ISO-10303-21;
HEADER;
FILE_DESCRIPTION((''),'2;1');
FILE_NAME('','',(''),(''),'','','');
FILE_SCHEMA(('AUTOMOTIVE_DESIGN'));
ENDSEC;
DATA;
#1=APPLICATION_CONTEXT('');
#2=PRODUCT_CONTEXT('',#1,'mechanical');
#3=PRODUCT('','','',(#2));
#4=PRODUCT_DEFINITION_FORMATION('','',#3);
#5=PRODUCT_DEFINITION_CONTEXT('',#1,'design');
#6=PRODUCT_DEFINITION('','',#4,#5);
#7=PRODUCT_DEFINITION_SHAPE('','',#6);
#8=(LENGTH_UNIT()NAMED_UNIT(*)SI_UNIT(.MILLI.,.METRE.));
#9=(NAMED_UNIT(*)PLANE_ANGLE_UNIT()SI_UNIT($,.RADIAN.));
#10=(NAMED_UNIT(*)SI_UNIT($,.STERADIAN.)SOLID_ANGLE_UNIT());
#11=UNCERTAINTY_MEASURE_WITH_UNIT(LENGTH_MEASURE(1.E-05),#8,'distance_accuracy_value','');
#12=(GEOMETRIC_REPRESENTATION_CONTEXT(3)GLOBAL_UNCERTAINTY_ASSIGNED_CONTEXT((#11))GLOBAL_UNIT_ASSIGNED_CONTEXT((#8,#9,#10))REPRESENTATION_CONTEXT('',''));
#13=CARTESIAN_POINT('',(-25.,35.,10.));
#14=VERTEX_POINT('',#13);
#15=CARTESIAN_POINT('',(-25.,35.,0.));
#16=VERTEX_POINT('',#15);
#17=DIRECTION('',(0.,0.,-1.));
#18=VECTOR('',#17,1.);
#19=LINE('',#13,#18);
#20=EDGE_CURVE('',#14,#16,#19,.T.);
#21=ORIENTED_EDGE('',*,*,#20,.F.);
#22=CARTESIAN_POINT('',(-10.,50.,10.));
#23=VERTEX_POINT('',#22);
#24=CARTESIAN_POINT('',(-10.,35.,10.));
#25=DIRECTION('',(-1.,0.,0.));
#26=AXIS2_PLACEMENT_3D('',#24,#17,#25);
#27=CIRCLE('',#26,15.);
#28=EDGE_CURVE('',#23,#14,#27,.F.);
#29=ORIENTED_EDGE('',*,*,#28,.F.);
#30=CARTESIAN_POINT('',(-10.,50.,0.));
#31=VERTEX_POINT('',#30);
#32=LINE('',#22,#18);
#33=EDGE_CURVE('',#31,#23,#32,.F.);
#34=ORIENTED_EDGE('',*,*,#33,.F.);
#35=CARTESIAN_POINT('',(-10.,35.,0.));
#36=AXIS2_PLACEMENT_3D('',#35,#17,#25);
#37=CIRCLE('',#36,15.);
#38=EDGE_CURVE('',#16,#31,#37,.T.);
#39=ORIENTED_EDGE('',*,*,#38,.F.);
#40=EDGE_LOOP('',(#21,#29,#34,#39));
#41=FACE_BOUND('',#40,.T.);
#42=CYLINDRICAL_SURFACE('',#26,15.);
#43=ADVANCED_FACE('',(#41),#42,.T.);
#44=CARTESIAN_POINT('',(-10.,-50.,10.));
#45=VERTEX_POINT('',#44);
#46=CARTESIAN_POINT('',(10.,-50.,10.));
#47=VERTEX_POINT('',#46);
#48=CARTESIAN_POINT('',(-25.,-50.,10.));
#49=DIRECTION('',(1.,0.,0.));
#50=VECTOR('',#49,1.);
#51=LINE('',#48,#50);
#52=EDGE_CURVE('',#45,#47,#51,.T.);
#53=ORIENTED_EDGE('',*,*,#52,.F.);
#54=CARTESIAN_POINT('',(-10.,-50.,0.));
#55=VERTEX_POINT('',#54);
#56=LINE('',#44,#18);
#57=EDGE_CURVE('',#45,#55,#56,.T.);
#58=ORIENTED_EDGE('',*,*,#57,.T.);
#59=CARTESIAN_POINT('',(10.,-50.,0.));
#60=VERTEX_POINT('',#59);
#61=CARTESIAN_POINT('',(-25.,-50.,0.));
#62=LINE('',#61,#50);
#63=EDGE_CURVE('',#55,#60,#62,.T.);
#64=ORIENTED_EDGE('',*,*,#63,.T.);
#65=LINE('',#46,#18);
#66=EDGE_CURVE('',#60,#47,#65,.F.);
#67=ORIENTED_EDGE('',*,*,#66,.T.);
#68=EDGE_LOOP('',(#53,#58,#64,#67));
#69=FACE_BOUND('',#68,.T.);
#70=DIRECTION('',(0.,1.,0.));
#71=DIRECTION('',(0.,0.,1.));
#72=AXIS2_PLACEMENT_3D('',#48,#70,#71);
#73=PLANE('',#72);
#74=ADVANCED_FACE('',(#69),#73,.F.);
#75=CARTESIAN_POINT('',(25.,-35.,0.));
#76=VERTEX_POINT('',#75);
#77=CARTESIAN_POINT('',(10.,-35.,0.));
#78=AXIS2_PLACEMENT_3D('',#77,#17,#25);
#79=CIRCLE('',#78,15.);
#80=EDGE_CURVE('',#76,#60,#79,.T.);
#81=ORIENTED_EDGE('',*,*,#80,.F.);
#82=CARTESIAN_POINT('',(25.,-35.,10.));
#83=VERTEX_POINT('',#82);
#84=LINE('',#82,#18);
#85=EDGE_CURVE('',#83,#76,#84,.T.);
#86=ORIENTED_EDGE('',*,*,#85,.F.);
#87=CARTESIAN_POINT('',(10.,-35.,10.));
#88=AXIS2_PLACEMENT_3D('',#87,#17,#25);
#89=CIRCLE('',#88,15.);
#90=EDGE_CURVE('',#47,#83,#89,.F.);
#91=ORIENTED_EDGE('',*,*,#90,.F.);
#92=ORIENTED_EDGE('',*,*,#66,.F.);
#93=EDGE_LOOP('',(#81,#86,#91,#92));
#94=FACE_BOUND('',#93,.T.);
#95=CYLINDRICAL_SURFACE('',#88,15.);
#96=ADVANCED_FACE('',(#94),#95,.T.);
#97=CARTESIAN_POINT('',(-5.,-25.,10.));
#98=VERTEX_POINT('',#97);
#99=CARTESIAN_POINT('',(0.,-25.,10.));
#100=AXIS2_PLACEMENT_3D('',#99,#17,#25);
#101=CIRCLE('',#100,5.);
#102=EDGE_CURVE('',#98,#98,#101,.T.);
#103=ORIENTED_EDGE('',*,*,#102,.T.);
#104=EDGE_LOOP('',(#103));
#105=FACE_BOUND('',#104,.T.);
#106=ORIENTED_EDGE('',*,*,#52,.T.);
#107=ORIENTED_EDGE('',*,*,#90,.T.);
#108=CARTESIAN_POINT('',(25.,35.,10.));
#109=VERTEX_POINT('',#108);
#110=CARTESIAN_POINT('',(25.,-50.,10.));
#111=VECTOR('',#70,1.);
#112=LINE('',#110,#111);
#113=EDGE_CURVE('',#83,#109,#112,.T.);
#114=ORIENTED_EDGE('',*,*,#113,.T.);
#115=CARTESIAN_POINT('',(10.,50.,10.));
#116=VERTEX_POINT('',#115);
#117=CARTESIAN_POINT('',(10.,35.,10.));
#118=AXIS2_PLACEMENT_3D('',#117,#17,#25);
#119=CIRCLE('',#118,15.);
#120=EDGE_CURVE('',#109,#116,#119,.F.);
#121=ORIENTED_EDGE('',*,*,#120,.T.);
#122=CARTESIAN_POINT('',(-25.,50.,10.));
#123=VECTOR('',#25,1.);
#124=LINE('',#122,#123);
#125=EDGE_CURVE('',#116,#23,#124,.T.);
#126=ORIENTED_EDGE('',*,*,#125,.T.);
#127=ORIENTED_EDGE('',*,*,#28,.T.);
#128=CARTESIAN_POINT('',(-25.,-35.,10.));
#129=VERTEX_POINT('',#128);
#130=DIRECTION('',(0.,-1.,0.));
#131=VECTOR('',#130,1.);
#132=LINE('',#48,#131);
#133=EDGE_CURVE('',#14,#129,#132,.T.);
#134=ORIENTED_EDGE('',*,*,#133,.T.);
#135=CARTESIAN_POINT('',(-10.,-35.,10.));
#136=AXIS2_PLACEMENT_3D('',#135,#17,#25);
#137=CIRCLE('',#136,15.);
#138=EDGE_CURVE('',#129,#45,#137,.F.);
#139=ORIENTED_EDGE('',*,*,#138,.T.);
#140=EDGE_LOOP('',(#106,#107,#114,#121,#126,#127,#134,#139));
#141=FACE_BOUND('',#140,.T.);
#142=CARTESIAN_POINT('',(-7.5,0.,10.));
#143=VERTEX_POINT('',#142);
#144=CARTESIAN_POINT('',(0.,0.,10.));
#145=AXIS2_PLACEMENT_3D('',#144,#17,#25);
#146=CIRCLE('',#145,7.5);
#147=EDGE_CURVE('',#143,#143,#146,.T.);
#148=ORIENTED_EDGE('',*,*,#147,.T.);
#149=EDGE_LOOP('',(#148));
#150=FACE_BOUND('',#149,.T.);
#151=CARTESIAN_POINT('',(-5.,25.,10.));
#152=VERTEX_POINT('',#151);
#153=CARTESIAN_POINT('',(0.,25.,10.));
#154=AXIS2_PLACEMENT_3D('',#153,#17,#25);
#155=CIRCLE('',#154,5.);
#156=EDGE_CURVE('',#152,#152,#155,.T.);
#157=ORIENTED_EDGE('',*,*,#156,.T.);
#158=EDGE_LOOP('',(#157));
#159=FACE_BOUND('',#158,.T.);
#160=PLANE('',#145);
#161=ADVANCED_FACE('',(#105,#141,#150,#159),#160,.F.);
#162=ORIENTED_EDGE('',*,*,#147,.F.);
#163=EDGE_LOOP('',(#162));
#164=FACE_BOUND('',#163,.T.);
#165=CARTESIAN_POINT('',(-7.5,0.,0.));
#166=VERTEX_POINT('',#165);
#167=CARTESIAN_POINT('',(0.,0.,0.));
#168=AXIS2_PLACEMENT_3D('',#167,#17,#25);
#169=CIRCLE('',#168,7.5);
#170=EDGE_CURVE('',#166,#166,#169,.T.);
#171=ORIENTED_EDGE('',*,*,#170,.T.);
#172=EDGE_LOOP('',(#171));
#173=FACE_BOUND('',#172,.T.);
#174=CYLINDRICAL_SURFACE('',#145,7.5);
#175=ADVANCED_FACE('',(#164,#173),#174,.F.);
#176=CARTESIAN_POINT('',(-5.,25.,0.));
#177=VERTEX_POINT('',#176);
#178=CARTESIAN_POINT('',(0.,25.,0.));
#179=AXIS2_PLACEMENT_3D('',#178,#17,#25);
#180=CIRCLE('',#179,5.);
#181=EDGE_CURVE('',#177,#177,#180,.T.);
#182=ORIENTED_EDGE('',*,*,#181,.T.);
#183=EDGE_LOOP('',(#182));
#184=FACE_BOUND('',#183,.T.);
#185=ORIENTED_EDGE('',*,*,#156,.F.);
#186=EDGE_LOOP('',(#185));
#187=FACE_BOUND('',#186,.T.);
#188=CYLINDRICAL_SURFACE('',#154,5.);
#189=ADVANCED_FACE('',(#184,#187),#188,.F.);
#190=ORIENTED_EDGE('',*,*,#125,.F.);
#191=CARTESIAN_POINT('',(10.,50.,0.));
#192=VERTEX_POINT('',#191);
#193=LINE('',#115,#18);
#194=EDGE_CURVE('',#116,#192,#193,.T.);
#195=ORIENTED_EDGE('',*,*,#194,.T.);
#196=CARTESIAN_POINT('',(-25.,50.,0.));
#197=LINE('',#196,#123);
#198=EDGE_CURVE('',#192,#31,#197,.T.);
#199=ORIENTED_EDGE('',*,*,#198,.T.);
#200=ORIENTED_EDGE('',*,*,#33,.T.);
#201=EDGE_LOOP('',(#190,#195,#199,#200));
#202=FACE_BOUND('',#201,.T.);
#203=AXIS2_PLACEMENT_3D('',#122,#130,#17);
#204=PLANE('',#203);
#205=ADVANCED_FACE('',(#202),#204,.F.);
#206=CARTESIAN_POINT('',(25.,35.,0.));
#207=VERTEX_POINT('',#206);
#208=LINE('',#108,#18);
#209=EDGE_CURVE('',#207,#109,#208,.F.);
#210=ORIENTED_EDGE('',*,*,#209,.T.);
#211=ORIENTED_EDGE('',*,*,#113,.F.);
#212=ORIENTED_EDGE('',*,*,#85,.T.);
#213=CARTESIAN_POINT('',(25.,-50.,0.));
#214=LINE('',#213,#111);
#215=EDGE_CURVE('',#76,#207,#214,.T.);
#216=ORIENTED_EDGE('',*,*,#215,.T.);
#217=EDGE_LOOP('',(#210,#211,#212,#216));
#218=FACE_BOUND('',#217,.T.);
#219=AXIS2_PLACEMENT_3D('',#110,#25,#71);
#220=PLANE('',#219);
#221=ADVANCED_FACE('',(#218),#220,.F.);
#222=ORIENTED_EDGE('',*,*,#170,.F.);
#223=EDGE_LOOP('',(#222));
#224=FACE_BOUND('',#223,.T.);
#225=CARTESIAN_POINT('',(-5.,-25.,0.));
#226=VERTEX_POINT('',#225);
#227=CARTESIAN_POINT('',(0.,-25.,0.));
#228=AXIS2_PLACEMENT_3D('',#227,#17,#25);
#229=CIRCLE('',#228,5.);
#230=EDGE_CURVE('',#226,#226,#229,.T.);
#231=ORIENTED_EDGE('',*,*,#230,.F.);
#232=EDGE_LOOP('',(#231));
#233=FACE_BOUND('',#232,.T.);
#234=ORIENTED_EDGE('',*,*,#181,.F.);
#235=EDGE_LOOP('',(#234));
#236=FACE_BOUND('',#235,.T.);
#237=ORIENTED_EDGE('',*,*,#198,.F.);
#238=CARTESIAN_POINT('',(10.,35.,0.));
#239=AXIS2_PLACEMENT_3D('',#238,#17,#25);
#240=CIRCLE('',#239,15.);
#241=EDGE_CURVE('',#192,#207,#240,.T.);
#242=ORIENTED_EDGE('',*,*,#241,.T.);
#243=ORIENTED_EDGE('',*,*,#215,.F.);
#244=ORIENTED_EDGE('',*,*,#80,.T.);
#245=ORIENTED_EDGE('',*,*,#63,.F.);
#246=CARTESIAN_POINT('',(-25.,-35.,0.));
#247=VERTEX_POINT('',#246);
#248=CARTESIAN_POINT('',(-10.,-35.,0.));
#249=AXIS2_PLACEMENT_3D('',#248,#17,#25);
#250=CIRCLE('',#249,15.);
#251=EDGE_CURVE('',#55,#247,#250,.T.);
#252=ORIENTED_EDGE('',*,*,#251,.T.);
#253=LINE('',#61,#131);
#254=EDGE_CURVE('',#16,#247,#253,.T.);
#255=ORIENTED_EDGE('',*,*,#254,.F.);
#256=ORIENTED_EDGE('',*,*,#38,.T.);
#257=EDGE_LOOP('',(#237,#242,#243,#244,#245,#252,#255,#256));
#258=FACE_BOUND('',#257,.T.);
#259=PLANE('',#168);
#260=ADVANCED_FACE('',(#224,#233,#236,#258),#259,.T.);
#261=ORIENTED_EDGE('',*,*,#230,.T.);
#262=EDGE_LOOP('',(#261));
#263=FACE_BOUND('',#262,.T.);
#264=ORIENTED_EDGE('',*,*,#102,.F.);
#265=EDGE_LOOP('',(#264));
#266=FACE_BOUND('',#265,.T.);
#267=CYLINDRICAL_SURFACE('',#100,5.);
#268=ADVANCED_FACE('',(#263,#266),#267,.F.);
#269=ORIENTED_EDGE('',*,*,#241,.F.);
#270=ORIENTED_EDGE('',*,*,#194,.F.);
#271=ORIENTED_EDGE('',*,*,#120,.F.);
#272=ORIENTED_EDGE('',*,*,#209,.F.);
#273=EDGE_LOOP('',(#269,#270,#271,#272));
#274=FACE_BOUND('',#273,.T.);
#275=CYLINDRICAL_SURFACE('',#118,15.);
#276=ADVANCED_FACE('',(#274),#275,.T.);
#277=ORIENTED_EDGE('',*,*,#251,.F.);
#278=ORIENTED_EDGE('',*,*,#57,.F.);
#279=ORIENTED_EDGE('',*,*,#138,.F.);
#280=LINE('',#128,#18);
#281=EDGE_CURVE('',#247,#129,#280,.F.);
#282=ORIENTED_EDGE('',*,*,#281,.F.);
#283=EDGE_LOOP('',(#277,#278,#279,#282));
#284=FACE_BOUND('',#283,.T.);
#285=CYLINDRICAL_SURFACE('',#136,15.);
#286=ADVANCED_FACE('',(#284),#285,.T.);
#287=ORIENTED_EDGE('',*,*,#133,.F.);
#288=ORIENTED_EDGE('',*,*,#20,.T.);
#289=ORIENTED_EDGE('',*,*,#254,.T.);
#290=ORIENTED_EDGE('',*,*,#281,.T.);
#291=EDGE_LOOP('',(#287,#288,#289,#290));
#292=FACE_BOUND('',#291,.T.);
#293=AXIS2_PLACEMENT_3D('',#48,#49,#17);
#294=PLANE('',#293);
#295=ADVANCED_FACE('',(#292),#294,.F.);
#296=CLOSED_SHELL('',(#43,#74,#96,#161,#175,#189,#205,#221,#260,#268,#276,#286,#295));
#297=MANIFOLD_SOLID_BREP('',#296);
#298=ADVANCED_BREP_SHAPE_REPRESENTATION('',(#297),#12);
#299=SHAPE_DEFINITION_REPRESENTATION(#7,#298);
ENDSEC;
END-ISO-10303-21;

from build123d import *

# Parameters (mm, degrees)
ESQUISSE3_W             = 50
ESQUISSE3_H             = 100
BOSS_EXTRU_2_DEPTH      = 10
CONG_1_R                = 15
ESQUISSE4_R             = 5
ESQUISSE4_R_2           = 7.5
ENL_V_MAT_EXTRU_1_DEPTH = 10


with BuildPart() as part:
    # Esquisse3 → Boss.-Extru.2 (new body)
    with BuildSketch(Plane.XY):
        Rectangle(ESQUISSE3_W, ESQUISSE3_H)
    extrude(amount=BOSS_EXTRU_2_DEPTH)

    # Congé1
    cong_1_edges = [part.edges().sort_by_distance(p)[0] for p in [
        (-25, 50, 5),
        (25, 50, 5),
        (25, -50, 5),
        (-25, -50, 5),
    ]]
    fillet(cong_1_edges, radius=CONG_1_R)

    # Esquisse4 → Enlèv. mat.-Extru.1 (cut)
    with BuildSketch(Plane(origin=(0, 0, 0), x_dir=(-1, 0, 0), z_dir=(0, 0, -1))):
        with Locations((0, -25)):
            Circle(ESQUISSE4_R)
        with Locations((0, 25)):
            Circle(ESQUISSE4_R)
        Circle(ESQUISSE4_R_2)
    extrude(amount=-ENL_V_MAT_EXTRU_1_DEPTH, mode=Mode.SUBTRACT)


solid = part.part
